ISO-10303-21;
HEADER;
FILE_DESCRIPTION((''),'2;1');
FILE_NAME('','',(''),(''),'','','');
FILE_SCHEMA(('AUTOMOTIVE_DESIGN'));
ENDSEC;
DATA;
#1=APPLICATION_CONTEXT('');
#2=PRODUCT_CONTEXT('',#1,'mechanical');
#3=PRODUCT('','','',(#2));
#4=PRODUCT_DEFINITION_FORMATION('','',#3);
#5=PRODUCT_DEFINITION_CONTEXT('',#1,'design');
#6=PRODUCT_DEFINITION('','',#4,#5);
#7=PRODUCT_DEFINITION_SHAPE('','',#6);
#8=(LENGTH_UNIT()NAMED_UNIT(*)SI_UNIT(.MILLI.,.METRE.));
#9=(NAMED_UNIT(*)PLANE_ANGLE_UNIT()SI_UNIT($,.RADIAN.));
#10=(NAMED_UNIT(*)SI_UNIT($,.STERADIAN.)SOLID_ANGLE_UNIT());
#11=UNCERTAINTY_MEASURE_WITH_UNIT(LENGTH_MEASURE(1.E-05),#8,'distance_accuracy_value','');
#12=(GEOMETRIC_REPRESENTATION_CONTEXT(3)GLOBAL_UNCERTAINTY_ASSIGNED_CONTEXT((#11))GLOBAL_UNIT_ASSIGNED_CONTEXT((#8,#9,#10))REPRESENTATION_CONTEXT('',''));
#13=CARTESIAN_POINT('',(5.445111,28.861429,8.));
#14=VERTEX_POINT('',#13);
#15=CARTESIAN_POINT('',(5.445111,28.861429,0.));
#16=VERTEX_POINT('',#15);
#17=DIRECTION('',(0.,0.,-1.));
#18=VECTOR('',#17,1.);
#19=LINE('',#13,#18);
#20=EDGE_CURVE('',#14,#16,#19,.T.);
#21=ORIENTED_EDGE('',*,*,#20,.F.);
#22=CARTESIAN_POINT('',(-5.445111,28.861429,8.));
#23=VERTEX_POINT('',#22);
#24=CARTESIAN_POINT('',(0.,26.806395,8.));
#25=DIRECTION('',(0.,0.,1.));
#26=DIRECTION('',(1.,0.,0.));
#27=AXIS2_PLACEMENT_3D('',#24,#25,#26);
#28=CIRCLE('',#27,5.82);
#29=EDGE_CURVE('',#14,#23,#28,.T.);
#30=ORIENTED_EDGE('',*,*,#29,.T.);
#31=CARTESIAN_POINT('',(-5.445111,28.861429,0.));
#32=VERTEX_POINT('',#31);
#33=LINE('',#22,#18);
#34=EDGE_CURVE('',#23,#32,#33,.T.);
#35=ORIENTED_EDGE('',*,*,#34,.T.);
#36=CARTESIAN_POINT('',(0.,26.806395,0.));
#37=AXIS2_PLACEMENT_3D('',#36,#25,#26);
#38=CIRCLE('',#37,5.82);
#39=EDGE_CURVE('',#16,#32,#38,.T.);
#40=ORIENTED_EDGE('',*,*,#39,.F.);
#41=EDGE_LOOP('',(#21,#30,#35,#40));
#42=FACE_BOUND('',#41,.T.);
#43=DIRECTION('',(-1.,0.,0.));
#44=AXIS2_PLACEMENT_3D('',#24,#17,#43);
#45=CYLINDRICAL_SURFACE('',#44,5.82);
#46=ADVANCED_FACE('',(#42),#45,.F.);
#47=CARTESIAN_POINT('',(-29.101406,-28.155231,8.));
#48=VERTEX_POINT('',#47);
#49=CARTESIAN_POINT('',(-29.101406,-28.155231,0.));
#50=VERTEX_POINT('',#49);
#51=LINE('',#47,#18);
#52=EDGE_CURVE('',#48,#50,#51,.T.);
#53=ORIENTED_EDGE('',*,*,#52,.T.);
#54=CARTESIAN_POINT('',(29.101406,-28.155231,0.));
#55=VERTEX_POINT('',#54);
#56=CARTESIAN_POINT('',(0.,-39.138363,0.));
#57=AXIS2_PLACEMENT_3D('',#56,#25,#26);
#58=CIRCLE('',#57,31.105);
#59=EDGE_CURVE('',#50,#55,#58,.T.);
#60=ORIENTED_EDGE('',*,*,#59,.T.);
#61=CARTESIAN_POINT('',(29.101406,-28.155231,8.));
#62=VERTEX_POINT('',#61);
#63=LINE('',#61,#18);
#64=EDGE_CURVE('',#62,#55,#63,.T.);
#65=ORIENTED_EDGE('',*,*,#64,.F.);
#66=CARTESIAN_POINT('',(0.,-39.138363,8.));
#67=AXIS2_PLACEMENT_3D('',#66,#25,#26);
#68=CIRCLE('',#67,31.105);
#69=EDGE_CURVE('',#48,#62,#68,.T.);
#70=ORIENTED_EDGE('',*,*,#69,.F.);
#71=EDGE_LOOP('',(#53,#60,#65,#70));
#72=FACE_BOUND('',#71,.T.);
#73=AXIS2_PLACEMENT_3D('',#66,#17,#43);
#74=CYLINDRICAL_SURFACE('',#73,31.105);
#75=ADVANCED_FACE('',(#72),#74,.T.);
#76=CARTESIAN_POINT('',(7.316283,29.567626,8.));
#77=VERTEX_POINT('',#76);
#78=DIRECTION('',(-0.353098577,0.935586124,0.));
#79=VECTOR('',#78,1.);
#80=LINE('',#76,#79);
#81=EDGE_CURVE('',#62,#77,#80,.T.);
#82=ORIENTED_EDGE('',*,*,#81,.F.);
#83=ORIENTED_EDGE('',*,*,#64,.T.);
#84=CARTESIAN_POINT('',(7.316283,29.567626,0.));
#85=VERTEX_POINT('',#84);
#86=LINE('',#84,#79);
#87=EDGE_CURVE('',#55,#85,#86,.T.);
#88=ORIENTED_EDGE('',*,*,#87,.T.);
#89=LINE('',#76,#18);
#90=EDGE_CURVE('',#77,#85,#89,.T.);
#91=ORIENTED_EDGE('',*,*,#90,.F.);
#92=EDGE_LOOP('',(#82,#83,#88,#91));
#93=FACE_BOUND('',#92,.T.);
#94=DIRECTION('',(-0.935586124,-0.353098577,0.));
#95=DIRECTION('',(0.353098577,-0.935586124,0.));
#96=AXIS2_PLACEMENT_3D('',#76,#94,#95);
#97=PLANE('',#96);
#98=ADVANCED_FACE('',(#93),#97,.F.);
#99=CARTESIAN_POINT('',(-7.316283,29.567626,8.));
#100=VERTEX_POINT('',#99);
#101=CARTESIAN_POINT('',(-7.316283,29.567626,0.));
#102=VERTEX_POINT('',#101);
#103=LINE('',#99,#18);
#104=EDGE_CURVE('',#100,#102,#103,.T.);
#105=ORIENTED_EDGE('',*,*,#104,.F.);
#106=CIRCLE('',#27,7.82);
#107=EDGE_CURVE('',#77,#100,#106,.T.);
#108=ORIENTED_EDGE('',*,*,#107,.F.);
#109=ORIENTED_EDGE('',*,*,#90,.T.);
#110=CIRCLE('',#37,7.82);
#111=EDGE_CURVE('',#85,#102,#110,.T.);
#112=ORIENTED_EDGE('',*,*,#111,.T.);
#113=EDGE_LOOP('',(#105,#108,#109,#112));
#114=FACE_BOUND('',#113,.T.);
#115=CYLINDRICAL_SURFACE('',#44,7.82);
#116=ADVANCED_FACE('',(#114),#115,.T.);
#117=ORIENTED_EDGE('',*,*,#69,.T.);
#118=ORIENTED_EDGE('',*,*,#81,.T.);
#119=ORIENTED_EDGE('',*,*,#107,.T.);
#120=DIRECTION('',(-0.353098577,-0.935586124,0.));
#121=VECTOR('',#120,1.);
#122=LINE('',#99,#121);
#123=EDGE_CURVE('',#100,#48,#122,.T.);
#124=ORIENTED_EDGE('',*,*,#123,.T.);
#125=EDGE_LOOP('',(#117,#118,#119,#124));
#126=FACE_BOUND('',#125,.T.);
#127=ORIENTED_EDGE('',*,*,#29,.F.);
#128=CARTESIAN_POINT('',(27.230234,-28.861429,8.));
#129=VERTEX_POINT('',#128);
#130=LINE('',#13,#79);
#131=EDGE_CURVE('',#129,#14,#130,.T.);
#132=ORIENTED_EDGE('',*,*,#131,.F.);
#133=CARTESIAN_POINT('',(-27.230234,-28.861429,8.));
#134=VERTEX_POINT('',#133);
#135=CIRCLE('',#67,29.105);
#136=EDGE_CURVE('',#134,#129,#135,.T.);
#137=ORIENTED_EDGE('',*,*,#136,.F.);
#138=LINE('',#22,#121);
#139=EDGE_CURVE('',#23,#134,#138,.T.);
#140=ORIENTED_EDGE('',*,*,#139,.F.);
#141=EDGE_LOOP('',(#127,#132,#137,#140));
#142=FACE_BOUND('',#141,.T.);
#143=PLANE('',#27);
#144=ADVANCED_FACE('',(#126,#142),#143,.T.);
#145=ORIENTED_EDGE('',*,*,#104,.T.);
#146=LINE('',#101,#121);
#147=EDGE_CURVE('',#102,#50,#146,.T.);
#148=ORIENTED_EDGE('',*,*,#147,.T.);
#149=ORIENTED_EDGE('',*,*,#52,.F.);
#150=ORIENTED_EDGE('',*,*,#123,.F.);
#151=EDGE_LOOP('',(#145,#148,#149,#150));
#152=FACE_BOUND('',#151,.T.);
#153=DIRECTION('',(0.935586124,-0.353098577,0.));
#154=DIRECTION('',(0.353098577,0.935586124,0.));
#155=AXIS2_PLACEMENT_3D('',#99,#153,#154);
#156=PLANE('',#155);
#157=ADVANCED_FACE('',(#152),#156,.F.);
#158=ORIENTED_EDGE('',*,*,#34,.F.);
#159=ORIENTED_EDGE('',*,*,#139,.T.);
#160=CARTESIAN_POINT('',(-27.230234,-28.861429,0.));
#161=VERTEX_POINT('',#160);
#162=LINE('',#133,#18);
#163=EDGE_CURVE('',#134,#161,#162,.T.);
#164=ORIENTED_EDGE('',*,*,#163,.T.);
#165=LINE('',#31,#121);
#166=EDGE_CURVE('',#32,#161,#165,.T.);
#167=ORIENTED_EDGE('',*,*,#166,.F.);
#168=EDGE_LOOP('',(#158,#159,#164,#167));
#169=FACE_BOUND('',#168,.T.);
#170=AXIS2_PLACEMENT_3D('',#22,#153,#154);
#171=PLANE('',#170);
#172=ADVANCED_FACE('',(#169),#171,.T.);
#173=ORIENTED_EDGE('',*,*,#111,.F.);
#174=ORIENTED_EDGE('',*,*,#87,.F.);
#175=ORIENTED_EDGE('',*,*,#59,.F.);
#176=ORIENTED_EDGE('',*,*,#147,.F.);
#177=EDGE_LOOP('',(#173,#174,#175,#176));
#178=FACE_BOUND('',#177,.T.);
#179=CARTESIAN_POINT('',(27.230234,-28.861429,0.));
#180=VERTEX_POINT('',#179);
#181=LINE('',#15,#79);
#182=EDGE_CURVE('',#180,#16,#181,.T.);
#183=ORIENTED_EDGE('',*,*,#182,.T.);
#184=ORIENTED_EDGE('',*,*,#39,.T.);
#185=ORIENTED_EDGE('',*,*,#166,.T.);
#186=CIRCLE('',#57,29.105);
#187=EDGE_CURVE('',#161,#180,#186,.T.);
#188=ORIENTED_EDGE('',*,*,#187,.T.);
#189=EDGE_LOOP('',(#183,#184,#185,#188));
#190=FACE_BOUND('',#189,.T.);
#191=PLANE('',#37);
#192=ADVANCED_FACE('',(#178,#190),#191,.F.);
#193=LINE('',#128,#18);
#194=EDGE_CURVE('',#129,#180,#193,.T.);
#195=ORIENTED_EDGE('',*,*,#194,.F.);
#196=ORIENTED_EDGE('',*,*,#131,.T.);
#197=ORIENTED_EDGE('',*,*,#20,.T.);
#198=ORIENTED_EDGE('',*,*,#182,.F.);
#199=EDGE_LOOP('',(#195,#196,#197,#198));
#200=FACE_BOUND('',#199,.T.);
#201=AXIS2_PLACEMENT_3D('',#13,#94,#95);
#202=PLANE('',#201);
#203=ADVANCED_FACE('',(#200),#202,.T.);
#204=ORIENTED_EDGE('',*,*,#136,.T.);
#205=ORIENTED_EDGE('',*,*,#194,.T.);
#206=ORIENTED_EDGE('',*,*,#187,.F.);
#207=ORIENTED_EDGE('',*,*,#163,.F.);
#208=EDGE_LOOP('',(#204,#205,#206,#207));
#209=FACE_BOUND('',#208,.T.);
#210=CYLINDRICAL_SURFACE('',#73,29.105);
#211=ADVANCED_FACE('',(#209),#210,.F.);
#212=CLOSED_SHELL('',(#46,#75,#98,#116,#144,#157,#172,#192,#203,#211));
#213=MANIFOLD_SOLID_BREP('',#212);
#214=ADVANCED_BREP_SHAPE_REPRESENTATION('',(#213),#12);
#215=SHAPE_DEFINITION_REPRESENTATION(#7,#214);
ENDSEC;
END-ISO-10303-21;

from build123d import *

# Parameters (mm, degrees)
SALIENTE_EXTRUIR1_DEPTH = 8


with BuildPart() as part:
    # Croquis1 → Saliente-Extruir1 (new body)
    with BuildSketch(Plane.XY):
        with BuildLine():
            Line((-7.316283488, 29.567625694), (-29.101406381, -28.155231387))
            ThreePointArc((-29.101406381, -28.155231387), (0, -70.243362618), (29.101406381, -28.155231387))
            Line((29.101406381, -28.155231387), (7.316283488, 29.567625694))
            ThreePointArc((7.316283488, 29.567625694), (0, 34.626394823), (-7.316283488, 29.567625694))
        make_face()
        with BuildLine():
            Line((-5.445111241, 28.86142854), (-27.230234133, -28.86142854))
            ThreePointArc((-27.230234133, -28.86142854), (0, -68.243362618), (27.230234133, -28.86142854))
            Line((27.230234133, -28.86142854), (5.445111241, 28.86142854))
            ThreePointArc((5.445111241, 28.86142854), (0, 32.626394823), (-5.445111241, 28.86142854))
        make_face(mode=Mode.SUBTRACT)
    extrude(amount=SALIENTE_EXTRUIR1_DEPTH)


solid = part.part
